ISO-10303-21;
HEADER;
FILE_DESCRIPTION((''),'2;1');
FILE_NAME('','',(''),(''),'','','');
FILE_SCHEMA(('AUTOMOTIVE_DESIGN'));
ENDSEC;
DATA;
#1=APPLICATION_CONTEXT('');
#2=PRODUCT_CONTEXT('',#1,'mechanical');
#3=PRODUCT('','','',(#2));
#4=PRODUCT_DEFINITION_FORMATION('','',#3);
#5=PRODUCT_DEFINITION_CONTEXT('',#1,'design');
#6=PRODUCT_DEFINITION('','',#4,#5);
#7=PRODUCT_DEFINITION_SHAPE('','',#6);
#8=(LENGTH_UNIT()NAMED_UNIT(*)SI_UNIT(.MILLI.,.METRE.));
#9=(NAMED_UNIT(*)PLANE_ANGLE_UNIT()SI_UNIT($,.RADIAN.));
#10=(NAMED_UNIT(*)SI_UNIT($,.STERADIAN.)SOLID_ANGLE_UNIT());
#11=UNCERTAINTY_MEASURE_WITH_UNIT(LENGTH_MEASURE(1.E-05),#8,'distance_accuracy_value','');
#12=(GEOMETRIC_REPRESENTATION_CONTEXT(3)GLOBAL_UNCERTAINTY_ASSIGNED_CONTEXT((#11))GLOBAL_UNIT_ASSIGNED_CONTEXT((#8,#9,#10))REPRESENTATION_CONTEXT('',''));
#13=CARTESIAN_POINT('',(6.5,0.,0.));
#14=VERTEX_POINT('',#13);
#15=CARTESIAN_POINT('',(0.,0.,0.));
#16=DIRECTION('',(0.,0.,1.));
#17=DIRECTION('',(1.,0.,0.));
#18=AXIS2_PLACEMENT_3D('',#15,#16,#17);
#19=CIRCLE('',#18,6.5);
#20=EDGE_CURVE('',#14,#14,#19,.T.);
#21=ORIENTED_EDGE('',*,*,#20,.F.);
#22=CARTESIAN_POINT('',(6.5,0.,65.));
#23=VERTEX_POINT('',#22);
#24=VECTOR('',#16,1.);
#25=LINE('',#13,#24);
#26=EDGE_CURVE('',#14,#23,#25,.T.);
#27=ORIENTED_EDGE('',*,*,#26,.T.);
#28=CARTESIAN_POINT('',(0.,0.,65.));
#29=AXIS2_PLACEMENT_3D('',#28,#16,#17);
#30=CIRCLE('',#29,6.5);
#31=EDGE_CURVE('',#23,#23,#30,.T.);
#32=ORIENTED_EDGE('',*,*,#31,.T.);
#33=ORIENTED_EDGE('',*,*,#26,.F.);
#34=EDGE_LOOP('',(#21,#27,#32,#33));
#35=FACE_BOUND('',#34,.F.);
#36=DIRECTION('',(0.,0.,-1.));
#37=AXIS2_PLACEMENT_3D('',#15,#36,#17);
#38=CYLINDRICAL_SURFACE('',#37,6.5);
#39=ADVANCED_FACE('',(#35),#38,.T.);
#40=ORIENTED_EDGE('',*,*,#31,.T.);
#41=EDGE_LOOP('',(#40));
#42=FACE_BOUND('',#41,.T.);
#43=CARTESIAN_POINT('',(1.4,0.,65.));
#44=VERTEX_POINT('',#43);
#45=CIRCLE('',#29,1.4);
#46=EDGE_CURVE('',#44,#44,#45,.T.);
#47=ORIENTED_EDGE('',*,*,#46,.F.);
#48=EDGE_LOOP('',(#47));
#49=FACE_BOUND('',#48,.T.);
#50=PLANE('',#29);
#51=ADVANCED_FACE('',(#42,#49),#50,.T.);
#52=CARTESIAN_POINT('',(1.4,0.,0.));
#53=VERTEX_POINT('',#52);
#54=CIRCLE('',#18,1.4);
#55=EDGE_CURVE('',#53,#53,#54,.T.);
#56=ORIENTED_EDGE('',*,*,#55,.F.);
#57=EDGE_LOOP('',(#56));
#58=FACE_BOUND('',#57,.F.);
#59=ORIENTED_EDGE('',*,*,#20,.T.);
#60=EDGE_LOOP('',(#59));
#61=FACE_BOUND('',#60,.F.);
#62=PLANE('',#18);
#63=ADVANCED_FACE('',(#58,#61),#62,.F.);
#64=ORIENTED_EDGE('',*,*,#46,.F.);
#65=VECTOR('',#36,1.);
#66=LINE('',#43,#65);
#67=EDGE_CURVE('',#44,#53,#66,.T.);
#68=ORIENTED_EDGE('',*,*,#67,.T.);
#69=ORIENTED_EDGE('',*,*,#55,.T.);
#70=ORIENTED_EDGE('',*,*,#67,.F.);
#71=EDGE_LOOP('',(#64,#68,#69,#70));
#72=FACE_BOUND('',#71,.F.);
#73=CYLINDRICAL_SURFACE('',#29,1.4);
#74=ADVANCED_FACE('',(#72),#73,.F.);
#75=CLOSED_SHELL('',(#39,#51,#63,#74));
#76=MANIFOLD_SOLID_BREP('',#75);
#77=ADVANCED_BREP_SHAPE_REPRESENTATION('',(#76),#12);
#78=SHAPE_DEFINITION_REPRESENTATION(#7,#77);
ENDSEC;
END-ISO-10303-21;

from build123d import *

# Parameters (mm, degrees)
SKETCH_R     = 6.5
PAD_DEPTH    = 65
SKETCH001_R  = 1.4
POCKET_DEPTH = 65.001


with BuildPart() as part:
    # Sketch → Pad (new body)
    with BuildSketch(Plane.XY):
        Circle(SKETCH_R)
    extrude(amount=PAD_DEPTH)

    # Sketch001 (on Face3 of Pad) → Pocket (cut, through all)
    with BuildSketch(Plane.XY.offset(65)):
        Circle(SKETCH001_R)
    extrude(amount=-POCKET_DEPTH, mode=Mode.SUBTRACT)


solid = part.part
